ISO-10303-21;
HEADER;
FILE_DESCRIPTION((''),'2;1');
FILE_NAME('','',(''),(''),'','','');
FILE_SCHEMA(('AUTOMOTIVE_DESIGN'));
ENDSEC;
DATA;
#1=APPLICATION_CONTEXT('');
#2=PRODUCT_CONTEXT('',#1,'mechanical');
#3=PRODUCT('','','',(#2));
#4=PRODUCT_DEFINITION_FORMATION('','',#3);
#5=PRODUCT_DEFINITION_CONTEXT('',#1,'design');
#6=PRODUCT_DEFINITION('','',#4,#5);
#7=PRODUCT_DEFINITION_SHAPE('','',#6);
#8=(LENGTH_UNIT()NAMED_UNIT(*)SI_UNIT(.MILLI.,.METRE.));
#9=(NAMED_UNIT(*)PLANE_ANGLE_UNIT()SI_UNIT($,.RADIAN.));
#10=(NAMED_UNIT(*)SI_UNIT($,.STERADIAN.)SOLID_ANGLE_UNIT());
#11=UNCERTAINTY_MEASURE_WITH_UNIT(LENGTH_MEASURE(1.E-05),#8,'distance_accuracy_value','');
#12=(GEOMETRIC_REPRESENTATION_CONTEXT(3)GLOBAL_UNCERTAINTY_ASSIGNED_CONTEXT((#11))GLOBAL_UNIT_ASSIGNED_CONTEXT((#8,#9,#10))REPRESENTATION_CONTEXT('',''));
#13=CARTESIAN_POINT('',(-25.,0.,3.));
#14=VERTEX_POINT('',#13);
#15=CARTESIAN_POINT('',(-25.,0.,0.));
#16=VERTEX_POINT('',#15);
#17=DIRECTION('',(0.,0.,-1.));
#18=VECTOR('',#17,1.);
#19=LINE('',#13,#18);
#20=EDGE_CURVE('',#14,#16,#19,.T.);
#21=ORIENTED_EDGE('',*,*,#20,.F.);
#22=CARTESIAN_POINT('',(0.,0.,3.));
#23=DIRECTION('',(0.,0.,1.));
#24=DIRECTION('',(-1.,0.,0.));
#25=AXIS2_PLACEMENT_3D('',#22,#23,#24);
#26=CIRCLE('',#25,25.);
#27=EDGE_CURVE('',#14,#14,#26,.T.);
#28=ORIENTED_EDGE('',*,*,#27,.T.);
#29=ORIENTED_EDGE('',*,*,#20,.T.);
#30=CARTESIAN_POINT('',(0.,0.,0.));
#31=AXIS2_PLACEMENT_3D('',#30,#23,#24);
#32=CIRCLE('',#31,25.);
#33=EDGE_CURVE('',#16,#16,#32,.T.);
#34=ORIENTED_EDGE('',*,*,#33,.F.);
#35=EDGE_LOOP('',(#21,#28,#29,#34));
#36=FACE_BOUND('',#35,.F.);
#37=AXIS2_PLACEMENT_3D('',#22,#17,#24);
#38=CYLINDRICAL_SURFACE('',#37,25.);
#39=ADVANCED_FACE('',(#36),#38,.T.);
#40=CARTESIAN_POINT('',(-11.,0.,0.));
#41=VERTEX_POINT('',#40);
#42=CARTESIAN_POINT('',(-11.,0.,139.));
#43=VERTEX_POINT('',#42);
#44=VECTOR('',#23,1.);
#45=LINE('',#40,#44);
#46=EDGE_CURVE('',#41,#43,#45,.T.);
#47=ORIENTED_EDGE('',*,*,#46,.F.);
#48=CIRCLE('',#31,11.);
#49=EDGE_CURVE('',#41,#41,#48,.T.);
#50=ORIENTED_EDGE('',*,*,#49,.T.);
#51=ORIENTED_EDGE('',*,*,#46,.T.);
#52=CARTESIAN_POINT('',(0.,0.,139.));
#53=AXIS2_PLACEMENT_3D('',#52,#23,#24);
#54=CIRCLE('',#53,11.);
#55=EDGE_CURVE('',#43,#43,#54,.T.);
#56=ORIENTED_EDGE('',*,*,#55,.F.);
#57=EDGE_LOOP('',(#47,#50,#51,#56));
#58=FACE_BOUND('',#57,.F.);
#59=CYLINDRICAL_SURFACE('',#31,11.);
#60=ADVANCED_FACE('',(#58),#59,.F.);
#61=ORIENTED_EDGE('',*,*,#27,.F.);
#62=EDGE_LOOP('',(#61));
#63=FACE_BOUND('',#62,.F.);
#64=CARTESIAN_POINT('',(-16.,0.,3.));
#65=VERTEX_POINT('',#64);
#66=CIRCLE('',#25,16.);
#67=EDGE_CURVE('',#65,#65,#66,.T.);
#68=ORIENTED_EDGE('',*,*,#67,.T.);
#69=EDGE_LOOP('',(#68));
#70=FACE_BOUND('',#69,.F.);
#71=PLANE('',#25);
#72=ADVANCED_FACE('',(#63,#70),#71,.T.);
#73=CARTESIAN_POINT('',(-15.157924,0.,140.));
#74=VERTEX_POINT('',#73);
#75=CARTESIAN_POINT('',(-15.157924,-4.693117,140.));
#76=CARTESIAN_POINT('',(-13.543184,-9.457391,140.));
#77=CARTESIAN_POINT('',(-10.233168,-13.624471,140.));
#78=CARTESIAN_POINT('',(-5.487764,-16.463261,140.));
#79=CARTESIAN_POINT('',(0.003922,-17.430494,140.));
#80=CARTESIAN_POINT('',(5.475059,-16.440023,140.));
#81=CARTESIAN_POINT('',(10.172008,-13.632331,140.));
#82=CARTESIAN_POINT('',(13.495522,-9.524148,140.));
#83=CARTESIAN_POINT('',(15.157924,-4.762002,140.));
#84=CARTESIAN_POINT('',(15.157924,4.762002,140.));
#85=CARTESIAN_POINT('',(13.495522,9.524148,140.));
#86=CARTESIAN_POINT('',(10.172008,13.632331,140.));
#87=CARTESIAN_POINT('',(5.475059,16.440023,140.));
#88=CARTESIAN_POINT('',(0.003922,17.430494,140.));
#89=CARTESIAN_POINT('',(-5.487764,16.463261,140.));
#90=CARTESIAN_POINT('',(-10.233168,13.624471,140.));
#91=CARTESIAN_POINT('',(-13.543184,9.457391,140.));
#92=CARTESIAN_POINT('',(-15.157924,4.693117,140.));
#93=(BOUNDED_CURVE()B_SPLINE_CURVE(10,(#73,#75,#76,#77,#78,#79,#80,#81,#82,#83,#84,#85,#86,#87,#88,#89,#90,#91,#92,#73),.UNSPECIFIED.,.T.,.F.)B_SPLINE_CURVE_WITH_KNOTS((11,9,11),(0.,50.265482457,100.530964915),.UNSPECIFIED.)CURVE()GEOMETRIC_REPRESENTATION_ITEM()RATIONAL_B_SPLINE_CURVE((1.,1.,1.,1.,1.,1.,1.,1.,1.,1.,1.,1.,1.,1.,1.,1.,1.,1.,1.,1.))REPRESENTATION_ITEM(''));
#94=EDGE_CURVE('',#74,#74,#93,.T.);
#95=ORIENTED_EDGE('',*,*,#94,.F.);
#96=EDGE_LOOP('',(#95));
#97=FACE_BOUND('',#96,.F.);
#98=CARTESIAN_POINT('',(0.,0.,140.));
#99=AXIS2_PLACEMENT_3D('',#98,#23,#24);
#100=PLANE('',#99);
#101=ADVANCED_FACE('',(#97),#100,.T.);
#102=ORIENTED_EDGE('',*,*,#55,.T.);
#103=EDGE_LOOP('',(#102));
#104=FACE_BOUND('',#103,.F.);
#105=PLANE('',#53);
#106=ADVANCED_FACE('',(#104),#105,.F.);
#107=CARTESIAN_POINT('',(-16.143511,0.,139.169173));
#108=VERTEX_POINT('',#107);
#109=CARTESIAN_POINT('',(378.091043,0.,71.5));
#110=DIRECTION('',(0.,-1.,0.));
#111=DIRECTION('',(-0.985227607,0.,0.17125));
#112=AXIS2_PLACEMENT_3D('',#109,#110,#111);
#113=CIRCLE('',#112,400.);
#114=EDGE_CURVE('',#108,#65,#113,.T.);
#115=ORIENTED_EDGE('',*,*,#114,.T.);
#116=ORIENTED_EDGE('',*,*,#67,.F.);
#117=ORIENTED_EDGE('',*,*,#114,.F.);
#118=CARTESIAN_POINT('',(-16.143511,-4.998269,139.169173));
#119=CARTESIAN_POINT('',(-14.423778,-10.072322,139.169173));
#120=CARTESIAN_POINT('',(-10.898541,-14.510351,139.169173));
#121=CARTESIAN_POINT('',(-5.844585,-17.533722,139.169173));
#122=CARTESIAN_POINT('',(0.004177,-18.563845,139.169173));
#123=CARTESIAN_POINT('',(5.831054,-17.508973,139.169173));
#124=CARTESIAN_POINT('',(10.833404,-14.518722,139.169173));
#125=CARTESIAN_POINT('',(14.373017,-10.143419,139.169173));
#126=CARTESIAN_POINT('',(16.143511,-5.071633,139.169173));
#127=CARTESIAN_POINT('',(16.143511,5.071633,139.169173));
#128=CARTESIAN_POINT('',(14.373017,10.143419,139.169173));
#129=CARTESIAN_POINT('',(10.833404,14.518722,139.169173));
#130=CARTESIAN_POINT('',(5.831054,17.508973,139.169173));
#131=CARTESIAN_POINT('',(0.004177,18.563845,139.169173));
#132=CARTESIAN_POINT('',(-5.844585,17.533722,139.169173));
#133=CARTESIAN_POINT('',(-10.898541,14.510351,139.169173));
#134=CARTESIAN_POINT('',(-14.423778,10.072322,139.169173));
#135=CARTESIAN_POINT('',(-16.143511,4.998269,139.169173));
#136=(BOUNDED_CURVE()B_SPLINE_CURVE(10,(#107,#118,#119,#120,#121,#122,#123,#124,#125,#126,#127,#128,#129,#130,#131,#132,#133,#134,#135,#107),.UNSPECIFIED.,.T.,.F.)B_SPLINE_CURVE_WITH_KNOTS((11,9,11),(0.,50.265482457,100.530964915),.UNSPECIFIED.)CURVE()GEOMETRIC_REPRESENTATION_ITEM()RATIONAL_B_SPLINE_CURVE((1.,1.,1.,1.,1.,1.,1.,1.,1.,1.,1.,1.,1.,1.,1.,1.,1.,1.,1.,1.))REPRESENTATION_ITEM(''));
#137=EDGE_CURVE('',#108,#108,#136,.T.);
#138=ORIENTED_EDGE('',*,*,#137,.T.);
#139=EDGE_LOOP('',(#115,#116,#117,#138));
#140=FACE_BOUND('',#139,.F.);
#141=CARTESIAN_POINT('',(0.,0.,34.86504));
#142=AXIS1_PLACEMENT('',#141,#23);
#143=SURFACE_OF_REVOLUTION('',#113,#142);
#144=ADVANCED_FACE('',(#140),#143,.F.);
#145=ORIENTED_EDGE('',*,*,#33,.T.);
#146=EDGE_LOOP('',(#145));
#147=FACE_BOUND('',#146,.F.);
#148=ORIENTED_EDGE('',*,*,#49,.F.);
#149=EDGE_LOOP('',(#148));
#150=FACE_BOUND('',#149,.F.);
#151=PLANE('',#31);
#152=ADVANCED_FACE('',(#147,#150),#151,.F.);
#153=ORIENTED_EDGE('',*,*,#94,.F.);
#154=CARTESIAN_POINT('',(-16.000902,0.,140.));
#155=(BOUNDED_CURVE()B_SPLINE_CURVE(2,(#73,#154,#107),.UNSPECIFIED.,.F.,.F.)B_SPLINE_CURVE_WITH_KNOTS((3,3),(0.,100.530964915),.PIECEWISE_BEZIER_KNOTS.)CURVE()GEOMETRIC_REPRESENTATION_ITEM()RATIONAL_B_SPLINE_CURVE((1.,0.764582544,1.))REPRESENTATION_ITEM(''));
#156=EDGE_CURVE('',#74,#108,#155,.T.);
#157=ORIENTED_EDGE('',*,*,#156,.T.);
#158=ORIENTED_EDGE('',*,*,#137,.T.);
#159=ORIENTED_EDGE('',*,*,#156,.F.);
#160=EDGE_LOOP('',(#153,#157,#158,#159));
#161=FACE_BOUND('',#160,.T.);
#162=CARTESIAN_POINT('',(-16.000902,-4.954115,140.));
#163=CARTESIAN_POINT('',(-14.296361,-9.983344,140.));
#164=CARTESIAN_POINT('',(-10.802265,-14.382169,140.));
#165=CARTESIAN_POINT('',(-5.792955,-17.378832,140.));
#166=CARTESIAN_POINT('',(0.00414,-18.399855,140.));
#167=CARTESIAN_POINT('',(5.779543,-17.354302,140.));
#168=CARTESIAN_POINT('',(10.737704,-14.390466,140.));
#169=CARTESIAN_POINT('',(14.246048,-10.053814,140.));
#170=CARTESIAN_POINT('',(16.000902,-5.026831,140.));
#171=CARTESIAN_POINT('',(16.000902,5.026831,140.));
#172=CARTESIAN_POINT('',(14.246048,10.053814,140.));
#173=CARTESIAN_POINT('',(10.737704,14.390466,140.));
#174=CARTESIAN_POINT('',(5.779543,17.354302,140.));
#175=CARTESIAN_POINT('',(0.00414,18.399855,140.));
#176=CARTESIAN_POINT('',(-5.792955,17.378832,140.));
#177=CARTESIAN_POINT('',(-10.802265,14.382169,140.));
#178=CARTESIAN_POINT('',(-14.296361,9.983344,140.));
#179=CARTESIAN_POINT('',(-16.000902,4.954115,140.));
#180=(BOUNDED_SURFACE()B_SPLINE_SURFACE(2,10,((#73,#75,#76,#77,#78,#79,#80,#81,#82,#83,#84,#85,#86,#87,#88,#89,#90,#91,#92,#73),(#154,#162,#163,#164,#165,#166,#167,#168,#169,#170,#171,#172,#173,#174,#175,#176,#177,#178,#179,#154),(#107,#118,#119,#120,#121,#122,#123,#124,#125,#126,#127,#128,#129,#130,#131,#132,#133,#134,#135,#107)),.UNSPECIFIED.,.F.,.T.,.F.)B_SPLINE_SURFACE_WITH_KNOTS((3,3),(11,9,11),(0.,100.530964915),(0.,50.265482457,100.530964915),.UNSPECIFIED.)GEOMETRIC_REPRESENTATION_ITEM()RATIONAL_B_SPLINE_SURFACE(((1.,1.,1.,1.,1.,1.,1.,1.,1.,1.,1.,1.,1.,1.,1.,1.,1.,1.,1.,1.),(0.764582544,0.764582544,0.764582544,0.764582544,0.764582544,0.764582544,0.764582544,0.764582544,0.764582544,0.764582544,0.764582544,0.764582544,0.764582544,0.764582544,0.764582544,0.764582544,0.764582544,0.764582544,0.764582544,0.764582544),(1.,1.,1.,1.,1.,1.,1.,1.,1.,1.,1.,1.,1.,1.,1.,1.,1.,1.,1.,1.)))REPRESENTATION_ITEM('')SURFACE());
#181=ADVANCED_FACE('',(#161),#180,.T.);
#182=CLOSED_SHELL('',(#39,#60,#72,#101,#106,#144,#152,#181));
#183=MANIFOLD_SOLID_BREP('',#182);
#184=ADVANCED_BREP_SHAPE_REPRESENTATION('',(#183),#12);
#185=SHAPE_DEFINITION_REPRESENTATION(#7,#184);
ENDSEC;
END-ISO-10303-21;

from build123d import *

# Parameters (mm, degrees)
F2_R = 1


with BuildPart() as f1:
    # F0 (on Front) → F1 (revolve)
    with BuildSketch(Plane.XZ):
        with BuildLine():
            Line((-25, 3), (-25, 0))
            Line((-25, 0), (-11, 0))
            Line((-11, 0), (-11, 139))
            Line((-11, 139), (0, 139))
            Line((0, 139), (0, 140))
            Line((0, 140), (-11, 140))
            Line((-11, 140), (-16, 140))
            ThreePointArc((-16, 140), (-21.9089572193, 71.5), (-16, 3))
            Line((-16, 3), (-25, 3))
        make_face()
    revolve(axis=Axis((0, 0, 34.8650403321), (0, 0, 1)))

    # F2
    f2_edges = [f1.edges().sort_by_distance(p)[0] for p in [
        (16, 0, 140),
    ]]
    fillet(f2_edges, radius=F2_R)


solid = f1.part
